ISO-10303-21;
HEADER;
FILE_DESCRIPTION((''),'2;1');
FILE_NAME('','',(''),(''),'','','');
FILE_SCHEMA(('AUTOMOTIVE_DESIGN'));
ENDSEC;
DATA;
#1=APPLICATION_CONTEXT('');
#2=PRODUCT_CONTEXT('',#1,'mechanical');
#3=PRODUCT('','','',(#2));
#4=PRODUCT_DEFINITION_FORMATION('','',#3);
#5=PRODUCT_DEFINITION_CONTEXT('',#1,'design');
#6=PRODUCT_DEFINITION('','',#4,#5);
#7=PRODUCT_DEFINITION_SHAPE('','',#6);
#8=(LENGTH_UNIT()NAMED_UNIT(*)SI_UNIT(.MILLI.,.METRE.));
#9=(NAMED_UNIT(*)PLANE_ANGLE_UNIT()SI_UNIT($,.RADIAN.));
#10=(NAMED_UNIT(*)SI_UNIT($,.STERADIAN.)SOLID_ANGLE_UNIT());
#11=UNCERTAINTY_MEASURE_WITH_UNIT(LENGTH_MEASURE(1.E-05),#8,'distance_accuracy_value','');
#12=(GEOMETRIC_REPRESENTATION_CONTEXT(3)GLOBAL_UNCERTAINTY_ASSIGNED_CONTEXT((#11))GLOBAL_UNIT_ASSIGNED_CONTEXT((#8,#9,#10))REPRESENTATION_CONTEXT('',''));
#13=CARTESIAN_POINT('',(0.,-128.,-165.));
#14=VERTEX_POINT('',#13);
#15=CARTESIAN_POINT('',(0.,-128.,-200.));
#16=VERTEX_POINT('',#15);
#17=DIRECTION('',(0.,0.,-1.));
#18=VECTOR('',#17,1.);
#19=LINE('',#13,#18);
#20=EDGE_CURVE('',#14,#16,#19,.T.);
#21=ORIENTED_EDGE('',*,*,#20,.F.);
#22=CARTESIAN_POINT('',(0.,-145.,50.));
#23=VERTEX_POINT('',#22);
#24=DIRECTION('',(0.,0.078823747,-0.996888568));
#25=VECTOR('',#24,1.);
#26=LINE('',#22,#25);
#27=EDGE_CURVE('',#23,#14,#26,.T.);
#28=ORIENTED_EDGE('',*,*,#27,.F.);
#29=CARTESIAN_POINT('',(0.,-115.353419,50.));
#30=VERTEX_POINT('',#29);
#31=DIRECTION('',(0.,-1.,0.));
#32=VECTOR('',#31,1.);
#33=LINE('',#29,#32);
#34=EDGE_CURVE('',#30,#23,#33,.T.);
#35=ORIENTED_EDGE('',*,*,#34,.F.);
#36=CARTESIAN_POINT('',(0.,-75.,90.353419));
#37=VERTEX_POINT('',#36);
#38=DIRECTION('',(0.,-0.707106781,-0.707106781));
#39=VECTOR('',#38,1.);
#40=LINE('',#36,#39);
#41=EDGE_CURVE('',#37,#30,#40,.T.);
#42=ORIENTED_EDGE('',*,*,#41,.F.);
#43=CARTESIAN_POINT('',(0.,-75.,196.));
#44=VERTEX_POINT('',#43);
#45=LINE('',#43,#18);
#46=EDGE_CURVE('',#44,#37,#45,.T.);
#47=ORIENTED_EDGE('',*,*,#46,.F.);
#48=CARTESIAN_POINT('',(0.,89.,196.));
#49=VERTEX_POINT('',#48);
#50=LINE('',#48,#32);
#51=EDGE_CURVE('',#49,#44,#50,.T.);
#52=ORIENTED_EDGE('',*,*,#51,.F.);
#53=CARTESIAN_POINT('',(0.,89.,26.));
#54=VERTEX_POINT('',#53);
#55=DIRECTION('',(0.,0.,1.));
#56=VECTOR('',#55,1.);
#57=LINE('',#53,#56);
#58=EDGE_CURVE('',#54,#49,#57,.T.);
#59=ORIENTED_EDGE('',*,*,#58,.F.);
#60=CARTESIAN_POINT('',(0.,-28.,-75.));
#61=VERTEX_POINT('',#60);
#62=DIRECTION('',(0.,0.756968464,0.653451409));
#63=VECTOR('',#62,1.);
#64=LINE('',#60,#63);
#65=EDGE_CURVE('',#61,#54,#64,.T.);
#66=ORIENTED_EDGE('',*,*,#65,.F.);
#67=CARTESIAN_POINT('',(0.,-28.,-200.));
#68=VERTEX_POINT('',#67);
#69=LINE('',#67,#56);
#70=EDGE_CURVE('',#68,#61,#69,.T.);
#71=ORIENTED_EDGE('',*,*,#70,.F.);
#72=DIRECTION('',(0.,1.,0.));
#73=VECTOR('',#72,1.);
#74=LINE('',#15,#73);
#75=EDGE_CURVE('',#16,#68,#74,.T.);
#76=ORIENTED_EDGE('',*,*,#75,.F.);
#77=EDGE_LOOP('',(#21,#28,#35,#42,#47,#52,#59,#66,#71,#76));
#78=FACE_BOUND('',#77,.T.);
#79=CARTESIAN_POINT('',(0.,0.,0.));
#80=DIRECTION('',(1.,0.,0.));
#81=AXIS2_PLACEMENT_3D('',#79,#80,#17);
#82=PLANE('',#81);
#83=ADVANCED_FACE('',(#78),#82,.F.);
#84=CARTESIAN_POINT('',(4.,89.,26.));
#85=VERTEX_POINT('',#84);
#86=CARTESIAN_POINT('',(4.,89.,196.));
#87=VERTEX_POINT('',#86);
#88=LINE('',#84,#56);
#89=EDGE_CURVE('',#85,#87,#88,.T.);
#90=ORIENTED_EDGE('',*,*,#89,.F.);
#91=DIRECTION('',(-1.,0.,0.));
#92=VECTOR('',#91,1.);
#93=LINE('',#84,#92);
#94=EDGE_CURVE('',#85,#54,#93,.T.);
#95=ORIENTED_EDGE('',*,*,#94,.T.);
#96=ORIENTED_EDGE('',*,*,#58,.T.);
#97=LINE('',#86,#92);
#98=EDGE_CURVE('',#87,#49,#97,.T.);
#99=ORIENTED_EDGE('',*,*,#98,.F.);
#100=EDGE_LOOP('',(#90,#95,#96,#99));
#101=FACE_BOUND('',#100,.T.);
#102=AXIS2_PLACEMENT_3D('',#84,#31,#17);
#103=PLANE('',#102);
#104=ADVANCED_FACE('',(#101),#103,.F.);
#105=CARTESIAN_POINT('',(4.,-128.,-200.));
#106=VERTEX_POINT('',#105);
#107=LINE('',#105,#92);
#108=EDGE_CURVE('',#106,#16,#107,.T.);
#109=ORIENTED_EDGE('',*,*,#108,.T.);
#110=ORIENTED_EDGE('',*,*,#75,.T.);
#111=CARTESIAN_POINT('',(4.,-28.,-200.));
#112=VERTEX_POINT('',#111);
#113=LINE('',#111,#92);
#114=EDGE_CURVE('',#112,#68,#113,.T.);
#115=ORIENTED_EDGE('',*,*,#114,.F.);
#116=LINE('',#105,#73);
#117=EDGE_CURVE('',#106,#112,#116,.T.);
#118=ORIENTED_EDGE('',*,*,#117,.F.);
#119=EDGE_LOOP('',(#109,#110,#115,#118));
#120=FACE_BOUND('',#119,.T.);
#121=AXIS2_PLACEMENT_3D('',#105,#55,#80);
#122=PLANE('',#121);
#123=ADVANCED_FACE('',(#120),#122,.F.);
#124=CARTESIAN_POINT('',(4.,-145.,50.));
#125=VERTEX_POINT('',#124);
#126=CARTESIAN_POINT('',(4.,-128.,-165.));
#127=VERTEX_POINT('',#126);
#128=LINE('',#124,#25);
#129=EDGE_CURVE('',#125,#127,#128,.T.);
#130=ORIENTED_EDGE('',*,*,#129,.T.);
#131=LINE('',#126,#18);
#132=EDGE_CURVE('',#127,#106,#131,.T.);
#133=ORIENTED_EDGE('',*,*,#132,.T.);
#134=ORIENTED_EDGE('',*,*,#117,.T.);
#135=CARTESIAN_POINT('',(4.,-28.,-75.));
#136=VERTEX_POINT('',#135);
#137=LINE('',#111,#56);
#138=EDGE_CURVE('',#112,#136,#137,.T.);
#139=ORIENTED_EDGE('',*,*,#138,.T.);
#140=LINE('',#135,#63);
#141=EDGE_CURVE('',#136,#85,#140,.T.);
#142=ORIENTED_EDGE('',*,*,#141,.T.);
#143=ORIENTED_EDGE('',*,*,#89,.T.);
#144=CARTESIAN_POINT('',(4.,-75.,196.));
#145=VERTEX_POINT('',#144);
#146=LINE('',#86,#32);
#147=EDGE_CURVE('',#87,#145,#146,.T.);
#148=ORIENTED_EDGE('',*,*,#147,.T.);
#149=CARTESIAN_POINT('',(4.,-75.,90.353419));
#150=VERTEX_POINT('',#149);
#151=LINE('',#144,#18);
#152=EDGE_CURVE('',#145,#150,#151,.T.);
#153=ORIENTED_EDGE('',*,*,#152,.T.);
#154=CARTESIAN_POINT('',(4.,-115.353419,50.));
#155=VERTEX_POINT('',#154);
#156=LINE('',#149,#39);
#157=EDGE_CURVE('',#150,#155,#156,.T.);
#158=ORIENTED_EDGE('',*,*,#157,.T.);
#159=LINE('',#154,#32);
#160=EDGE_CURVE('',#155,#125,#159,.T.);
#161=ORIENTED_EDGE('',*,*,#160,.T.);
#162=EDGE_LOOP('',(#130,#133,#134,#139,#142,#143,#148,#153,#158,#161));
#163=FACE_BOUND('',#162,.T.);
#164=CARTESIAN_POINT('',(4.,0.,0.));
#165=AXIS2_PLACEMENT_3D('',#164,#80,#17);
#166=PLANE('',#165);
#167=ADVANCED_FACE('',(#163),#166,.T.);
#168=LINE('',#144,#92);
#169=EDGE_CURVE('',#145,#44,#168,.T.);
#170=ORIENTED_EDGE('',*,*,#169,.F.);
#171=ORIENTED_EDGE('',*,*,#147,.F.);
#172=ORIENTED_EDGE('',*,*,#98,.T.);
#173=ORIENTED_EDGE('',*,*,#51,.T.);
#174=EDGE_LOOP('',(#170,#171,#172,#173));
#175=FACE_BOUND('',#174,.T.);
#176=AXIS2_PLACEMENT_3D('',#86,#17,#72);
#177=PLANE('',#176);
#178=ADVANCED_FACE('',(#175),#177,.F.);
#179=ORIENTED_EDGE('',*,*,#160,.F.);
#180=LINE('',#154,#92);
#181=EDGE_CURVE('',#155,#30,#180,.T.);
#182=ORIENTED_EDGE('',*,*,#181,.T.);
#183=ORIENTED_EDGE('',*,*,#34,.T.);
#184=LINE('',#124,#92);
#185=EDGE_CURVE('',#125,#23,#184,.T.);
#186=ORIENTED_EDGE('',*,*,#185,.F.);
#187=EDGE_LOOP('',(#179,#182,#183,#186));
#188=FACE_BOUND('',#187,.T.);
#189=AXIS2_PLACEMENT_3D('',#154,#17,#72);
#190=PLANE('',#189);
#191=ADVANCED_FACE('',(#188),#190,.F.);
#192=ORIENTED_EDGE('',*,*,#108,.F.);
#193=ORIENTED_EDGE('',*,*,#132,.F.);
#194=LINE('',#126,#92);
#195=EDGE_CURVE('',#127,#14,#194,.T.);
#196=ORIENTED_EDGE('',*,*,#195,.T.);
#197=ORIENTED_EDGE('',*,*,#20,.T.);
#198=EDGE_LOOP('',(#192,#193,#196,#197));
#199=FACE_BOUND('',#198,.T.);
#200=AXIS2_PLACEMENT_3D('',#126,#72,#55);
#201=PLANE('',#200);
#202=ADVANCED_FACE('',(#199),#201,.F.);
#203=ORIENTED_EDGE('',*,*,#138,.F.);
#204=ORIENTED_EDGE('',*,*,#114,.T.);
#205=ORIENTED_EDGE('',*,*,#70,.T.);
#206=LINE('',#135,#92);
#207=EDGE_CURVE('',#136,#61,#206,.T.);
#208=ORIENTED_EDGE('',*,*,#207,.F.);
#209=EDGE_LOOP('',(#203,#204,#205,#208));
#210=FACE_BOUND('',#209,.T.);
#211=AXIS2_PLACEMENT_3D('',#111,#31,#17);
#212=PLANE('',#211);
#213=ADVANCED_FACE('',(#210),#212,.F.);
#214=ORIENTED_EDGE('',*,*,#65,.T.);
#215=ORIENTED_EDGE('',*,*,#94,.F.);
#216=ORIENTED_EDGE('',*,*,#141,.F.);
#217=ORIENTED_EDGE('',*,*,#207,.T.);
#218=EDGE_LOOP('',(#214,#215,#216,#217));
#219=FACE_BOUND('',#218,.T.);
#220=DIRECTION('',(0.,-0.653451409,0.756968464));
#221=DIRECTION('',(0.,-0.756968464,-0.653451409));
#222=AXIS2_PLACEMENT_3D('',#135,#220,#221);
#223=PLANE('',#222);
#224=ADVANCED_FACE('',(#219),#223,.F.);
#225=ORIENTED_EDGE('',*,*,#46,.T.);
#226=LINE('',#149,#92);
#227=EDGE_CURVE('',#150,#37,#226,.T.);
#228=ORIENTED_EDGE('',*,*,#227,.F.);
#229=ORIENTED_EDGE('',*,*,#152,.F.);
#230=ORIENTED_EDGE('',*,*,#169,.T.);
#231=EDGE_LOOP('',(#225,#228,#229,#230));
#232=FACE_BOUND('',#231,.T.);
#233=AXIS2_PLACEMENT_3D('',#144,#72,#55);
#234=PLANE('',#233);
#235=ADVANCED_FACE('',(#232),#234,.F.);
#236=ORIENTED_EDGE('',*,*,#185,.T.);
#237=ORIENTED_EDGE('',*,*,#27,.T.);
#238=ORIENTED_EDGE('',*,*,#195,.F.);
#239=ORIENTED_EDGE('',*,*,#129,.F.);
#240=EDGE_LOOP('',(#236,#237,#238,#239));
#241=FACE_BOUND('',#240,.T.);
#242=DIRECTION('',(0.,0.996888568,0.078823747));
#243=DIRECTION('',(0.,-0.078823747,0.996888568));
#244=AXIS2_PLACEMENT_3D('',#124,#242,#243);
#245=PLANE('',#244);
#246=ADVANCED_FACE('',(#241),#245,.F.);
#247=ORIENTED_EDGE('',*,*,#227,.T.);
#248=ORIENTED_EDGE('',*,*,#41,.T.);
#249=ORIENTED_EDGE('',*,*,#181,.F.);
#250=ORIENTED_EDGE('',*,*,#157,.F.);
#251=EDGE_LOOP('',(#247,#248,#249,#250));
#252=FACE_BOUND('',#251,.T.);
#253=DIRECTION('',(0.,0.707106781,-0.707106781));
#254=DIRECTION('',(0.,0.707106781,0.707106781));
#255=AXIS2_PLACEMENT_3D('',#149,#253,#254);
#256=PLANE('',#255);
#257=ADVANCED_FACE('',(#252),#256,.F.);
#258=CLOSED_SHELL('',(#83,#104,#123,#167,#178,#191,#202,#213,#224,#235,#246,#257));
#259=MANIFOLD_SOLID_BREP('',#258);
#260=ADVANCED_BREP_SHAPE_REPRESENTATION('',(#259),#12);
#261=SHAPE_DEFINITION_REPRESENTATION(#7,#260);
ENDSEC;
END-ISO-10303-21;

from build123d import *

# Parameters (mm, degrees)
SALIENTE_EXTRUIR1_DEPTH = 4


with BuildPart() as part:
    # Croquis2 → Saliente-Extruir1 (new body)
    with BuildSketch(Plane(origin=(0, 0, 0), x_dir=(0, 0, -1), z_dir=(1, 0, 0))):
        Polygon((-196, -75), (-90.353418897, -75), (-50, -115.353418897), (-50, -145), (165, -128), (200, -128), (200, -28), (75, -28), (-26, 89), (-196, 89), align=None)
    extrude(amount=SALIENTE_EXTRUIR1_DEPTH)


solid = part.part
